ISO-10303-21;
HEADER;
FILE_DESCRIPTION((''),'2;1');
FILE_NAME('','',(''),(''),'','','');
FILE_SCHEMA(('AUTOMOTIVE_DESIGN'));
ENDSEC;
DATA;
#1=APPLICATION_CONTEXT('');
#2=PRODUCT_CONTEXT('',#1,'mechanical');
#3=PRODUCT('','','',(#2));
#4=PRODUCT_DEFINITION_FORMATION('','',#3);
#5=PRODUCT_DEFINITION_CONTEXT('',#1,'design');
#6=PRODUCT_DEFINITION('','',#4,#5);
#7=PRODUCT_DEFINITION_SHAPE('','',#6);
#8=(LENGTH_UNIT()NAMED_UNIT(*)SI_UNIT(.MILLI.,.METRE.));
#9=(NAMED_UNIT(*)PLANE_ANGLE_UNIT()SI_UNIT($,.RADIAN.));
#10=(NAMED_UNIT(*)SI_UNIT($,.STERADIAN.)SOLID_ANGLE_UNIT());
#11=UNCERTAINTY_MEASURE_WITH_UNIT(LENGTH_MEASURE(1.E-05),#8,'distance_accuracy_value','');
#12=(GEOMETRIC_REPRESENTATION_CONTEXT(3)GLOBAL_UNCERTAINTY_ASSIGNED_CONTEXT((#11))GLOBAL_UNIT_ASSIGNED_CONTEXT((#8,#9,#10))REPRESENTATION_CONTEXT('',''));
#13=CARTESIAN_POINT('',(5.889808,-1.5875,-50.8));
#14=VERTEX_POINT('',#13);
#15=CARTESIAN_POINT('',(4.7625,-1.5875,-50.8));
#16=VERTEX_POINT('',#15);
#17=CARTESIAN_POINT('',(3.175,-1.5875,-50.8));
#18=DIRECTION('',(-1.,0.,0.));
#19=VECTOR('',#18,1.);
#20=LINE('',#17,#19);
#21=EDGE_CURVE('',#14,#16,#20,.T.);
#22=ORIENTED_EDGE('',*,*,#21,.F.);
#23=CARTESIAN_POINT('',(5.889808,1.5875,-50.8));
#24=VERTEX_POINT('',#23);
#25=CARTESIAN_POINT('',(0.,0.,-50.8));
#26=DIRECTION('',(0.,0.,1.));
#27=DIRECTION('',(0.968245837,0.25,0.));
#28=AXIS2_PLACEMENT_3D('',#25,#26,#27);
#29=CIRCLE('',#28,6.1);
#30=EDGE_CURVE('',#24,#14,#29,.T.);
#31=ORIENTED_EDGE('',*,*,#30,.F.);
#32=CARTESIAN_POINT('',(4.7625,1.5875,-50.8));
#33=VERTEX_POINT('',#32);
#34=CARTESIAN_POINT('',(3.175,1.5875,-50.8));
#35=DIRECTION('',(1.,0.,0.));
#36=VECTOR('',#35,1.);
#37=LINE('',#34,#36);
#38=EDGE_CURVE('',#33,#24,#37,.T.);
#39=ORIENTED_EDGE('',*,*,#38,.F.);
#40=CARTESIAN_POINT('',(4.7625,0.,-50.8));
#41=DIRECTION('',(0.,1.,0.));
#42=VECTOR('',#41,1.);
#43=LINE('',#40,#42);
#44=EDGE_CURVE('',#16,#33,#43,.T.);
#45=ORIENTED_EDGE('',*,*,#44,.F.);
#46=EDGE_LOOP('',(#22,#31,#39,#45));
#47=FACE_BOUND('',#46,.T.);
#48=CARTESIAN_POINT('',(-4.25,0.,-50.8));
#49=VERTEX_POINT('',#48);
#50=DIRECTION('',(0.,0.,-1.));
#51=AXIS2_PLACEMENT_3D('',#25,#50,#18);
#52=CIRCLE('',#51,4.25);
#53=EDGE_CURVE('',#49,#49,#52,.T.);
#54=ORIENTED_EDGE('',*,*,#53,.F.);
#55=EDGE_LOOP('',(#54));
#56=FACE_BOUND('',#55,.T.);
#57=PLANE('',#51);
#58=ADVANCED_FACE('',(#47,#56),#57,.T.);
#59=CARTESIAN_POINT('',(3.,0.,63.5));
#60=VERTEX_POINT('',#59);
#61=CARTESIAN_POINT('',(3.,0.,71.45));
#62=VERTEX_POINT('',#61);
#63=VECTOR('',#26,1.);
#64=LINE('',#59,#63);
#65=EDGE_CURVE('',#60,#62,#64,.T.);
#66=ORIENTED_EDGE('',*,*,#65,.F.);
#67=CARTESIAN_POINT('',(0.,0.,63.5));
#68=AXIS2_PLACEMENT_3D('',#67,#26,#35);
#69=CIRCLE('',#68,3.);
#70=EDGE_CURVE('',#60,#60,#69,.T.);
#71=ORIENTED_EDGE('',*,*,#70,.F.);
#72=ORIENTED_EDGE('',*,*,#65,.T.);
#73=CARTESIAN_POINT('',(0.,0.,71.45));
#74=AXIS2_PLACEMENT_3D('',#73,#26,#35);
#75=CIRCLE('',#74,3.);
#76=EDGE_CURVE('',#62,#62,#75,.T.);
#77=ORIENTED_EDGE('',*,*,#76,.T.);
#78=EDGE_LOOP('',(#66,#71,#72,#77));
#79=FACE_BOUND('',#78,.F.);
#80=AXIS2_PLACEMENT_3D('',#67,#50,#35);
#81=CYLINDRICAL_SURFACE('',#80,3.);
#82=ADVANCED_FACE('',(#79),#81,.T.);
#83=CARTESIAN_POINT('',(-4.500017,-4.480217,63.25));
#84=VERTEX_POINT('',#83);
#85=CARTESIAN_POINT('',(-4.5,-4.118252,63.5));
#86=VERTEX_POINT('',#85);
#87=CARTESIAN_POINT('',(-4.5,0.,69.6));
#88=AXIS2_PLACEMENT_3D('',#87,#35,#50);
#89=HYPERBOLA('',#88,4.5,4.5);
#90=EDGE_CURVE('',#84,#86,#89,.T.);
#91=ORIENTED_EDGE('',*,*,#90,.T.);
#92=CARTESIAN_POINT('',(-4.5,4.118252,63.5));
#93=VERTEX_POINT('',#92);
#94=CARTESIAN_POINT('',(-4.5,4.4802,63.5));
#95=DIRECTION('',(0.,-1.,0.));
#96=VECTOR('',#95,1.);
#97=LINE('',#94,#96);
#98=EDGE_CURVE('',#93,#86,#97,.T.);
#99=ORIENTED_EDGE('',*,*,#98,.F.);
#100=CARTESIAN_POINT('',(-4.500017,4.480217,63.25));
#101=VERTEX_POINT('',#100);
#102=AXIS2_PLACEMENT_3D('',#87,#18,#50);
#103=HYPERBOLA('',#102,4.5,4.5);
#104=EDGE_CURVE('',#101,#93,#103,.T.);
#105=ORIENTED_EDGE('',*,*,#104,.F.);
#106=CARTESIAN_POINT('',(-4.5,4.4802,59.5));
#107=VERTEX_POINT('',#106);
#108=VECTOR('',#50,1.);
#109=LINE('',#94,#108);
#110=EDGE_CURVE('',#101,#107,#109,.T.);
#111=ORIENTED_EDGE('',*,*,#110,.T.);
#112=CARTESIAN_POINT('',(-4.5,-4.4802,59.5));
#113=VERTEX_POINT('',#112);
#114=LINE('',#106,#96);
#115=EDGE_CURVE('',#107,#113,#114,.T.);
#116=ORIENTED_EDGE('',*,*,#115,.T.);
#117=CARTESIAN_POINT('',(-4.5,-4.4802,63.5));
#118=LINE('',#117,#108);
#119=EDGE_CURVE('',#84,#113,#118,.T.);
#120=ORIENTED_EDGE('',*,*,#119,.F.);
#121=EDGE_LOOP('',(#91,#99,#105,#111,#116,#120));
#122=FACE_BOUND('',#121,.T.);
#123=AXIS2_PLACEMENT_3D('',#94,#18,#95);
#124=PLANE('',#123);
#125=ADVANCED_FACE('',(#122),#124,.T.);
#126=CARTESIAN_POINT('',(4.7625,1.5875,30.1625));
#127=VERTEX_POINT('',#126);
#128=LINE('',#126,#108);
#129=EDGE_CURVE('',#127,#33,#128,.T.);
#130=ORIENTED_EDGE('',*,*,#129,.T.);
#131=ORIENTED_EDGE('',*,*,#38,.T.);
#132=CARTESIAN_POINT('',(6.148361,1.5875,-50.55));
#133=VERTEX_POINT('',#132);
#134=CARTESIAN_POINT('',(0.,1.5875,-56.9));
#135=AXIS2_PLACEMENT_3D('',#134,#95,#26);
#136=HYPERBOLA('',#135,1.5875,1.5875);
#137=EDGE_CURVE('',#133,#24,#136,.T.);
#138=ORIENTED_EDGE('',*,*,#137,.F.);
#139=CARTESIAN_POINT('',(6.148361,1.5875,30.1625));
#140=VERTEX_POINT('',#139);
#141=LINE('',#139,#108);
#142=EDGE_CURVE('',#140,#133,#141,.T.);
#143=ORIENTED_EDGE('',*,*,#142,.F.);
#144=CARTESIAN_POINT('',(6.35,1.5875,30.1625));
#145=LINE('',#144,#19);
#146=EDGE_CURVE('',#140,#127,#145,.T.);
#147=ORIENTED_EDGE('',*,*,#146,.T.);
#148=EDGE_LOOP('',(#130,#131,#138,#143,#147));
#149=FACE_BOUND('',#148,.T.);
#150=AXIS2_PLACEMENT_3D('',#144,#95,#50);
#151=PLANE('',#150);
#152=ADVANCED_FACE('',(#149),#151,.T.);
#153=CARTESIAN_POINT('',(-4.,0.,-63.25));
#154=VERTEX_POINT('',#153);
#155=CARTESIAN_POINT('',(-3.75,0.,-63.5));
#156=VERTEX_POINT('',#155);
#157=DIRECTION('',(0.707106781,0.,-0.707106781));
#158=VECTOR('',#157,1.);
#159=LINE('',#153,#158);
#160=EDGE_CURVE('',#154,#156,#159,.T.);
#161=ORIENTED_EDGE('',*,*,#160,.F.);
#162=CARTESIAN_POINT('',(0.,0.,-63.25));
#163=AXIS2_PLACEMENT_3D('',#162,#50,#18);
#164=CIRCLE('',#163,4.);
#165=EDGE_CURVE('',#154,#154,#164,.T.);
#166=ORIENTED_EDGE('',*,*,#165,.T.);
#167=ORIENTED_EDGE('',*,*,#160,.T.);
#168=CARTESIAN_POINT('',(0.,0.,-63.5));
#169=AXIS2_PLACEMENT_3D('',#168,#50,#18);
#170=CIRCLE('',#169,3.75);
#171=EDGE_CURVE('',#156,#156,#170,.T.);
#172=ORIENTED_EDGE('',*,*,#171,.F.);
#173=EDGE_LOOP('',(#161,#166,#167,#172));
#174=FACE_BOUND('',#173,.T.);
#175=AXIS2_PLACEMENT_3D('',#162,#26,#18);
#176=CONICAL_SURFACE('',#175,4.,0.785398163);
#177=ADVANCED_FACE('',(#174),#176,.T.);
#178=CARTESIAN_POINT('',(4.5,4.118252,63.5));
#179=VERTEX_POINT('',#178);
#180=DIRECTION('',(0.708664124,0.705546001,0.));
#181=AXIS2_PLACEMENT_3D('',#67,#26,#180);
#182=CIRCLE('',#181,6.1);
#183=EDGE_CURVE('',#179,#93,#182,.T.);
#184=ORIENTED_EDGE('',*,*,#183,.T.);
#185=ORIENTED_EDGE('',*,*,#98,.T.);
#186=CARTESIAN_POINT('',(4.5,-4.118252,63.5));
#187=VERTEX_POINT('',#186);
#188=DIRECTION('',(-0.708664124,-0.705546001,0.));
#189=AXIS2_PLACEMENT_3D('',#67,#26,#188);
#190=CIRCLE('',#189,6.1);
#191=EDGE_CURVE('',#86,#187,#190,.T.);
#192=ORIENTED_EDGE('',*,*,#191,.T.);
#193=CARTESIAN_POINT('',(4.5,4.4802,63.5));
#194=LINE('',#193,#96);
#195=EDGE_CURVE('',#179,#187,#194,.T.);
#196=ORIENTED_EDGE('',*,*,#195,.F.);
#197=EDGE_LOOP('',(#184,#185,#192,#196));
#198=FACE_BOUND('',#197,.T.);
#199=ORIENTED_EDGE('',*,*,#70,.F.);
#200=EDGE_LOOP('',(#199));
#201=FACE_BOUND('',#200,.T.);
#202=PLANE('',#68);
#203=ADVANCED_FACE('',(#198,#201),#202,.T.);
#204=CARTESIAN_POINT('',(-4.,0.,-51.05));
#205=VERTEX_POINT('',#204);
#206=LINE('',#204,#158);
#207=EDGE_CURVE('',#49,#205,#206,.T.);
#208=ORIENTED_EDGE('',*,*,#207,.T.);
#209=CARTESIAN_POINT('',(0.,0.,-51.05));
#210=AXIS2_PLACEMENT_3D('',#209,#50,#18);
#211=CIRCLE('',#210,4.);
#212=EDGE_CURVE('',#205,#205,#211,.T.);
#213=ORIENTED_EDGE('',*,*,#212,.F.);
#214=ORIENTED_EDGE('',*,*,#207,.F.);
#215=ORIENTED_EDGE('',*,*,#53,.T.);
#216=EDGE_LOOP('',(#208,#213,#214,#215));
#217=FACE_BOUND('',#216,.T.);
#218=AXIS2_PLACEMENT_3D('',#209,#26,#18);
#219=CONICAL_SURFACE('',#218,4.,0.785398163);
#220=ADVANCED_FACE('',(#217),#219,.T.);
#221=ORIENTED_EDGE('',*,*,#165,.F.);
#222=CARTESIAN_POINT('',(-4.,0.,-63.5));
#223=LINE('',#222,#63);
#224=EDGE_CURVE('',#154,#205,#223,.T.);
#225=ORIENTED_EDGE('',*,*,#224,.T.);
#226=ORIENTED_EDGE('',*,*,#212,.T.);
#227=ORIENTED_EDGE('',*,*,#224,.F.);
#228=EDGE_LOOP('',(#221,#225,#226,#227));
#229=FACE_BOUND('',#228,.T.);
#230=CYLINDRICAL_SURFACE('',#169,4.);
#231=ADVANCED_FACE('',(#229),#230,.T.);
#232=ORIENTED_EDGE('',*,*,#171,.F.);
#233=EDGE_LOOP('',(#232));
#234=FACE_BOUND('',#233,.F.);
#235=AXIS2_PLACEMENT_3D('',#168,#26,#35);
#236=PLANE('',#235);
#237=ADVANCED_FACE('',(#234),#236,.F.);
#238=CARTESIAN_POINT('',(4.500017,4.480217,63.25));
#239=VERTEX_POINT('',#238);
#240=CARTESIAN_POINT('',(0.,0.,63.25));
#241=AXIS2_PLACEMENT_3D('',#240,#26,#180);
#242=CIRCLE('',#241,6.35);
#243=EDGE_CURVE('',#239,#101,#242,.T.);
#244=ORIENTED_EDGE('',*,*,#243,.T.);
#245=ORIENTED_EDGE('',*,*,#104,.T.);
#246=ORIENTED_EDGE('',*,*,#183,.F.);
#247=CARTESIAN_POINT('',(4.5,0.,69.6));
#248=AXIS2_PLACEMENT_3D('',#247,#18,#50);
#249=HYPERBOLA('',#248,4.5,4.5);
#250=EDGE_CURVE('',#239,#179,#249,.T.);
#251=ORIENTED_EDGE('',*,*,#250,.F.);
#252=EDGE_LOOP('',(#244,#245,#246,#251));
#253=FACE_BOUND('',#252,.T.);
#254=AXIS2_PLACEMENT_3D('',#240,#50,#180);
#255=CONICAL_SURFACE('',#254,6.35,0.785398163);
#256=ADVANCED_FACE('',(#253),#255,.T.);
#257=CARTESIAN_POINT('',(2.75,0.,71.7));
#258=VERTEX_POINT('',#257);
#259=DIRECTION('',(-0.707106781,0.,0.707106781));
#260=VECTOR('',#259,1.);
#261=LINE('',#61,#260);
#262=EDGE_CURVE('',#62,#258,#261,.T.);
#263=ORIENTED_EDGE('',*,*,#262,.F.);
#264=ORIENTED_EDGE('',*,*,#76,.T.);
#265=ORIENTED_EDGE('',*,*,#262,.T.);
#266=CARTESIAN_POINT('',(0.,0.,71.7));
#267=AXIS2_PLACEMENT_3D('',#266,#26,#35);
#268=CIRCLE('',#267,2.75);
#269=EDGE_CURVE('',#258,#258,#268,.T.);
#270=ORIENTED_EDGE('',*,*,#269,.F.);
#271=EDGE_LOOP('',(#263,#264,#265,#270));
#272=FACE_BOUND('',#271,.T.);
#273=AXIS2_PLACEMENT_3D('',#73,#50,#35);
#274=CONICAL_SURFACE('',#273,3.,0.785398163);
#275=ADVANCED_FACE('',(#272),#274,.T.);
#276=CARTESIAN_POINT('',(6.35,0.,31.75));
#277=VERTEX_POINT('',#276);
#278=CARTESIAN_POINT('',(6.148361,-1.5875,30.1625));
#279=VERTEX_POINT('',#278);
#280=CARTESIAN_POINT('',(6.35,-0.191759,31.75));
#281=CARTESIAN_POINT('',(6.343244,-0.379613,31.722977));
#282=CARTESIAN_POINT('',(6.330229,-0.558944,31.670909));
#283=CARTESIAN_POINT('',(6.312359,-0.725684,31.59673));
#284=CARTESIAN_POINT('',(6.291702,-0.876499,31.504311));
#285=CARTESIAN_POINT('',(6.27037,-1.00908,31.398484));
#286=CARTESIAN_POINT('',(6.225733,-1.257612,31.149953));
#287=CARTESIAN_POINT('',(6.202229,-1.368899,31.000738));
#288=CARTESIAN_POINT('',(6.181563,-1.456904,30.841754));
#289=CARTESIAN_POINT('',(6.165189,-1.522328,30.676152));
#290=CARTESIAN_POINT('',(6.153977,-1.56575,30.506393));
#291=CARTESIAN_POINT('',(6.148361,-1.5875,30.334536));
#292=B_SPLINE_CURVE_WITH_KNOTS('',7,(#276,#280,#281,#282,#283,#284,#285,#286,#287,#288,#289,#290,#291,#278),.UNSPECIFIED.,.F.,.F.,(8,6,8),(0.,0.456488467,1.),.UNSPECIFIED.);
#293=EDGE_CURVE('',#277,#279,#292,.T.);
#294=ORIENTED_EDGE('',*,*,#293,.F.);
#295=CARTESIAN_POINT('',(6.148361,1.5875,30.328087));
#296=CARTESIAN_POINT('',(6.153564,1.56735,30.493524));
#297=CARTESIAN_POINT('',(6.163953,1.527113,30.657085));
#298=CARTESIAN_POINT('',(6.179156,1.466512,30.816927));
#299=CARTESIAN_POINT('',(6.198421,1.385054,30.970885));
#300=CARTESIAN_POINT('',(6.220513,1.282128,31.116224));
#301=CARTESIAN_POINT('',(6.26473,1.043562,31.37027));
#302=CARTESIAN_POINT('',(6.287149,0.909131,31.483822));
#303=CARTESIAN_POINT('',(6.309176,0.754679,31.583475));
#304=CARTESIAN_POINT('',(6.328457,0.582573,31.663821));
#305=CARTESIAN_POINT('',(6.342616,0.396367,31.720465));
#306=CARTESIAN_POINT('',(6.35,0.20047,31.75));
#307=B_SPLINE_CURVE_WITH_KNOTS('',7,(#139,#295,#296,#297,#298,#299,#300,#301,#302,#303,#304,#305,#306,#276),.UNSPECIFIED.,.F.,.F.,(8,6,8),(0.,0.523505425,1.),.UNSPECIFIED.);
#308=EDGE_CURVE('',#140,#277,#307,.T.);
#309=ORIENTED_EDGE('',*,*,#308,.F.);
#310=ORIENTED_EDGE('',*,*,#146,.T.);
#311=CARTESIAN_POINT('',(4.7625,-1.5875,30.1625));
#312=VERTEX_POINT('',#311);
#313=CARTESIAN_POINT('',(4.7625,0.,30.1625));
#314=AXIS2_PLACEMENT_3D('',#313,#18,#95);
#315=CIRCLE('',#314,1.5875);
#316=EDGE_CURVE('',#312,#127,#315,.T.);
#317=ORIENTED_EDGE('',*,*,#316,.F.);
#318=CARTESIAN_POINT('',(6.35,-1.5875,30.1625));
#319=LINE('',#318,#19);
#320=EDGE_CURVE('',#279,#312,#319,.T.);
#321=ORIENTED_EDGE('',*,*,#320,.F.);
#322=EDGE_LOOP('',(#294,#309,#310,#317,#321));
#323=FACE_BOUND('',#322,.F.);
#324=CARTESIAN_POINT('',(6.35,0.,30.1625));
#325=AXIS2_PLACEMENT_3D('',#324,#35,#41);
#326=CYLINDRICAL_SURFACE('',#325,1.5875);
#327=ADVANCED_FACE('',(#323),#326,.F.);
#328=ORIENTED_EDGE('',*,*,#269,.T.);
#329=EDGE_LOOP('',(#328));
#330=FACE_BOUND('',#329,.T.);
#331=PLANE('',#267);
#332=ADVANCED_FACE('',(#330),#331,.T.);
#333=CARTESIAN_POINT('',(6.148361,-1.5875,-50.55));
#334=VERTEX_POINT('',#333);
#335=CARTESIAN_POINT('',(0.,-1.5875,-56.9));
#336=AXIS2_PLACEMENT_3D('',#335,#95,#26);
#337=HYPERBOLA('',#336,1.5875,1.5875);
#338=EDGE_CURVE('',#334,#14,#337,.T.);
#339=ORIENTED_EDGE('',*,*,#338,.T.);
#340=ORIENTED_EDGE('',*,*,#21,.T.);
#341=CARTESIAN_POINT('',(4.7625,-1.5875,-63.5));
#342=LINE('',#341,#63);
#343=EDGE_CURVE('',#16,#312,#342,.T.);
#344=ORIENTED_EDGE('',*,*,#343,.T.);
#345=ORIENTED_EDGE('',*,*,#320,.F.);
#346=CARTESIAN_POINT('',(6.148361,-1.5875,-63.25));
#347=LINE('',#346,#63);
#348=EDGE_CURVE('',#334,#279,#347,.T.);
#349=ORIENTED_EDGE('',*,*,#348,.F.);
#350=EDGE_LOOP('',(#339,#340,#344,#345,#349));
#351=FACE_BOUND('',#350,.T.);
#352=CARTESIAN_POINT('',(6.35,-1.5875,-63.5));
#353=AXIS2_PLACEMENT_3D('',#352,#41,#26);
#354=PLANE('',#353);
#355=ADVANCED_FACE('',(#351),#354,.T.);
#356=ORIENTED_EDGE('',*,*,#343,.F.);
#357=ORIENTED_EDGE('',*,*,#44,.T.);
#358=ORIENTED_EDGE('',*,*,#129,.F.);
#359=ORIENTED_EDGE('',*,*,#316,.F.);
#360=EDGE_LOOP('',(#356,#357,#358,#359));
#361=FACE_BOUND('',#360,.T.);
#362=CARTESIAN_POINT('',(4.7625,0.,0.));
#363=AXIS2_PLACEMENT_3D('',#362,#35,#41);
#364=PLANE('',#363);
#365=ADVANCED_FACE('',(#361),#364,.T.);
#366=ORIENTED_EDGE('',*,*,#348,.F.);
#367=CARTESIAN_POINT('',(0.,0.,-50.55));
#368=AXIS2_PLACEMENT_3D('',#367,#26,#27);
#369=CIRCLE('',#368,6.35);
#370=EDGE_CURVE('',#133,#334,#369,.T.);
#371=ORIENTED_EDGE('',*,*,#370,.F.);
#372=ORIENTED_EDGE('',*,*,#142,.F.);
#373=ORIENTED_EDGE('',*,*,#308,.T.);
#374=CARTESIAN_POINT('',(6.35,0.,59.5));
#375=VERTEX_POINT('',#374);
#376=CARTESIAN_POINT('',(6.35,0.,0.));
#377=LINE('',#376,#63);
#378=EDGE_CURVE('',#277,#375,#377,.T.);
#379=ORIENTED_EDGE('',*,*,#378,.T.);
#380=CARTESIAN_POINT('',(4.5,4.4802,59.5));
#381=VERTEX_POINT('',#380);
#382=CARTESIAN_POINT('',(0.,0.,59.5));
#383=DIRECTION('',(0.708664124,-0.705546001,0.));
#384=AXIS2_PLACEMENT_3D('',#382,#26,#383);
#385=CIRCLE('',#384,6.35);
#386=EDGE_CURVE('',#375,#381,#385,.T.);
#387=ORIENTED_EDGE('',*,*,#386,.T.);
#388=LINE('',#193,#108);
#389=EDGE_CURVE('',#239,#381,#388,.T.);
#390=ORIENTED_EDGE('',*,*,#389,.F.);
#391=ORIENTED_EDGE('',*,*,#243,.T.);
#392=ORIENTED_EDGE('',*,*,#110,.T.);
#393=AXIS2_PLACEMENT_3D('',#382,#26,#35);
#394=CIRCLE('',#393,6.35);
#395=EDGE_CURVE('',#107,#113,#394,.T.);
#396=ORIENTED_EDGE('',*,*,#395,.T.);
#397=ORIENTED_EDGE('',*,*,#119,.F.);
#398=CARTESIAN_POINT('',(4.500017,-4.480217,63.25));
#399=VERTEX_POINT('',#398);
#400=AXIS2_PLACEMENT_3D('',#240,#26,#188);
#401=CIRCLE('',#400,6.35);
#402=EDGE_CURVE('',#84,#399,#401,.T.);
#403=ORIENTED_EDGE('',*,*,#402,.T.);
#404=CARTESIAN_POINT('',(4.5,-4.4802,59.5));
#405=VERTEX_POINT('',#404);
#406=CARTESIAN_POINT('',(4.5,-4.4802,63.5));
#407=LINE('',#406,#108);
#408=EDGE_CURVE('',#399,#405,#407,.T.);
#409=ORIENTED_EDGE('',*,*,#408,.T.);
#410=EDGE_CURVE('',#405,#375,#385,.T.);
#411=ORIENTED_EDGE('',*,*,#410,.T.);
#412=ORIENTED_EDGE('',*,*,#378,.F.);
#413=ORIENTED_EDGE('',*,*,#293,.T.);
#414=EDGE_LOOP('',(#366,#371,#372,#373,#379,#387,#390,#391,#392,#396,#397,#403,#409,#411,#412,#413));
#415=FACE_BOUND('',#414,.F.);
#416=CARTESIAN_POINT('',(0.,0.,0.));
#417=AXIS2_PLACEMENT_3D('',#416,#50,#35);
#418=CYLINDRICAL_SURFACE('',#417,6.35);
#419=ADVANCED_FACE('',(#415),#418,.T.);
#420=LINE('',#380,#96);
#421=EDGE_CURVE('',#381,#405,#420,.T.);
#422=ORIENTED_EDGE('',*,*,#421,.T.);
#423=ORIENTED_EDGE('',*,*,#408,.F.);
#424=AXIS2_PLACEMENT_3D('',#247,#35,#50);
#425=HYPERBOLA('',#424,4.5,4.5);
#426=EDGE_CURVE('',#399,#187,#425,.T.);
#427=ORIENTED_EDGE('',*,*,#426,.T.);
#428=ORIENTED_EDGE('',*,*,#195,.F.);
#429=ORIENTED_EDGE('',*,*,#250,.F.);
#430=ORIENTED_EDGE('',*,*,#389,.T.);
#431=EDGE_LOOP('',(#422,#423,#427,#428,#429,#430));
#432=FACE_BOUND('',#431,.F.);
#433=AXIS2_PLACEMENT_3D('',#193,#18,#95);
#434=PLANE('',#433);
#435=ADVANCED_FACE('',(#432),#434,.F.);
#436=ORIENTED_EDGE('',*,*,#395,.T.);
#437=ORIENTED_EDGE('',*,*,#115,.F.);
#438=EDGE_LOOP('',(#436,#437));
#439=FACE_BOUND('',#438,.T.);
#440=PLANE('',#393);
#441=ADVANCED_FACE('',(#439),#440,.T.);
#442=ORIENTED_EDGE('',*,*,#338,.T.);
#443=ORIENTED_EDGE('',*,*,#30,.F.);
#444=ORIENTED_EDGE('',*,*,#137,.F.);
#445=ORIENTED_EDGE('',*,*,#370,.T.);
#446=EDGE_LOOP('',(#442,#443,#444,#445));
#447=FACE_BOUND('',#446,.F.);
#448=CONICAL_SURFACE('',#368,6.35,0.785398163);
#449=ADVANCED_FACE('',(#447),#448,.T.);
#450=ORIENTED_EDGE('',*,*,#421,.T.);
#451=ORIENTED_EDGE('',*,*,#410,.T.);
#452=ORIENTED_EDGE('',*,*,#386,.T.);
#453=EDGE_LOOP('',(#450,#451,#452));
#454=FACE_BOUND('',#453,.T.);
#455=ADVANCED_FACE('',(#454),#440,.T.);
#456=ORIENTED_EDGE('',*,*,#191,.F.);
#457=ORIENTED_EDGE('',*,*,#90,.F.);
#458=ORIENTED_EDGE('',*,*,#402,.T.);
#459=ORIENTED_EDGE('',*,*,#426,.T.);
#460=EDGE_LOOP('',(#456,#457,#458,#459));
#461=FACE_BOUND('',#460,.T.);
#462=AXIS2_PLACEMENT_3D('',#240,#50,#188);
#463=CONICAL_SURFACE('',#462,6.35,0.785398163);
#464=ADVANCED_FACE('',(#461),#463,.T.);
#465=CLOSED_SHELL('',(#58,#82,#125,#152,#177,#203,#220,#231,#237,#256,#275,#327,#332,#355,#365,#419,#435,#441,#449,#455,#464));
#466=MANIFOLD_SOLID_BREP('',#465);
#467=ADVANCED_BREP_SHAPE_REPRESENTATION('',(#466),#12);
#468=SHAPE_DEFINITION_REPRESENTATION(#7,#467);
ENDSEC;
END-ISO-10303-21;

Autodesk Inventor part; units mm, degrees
ref_plane "YZ Plane" through (0, 0, 0) normal (1, 0, 0) x (0, 1, 0)
ref_plane "XZ Plane" through (0, 0, 0) normal (0, 1, 0) x (-1, 0, 0)
sketch "Sketch1" plane through (0, 0, 0) normal (0, 0, 1) x (1, 0, 0)
  circle A0 centre (0, 0) radius 6.35
  dimension "d0" = 12.7
extrude "Extrusion1" add sketch "Sketch1" along normal mid plane 127
sketch "Sketch2" plane through (0, 0, 63.5) normal (0, 0, 1) x (1, 0, 0)
  circle A0 centre (0, 0) radius 6.35 projected
  line L0 (-4.5, 4.4802) -> (-4.5, -4.4802)
  line L1 (4.5, 4.4802) -> (4.5, -4.4802)
  line L2 (0, 0) -> (0, 6.1782) construction
  dimension "d3" = 9
extrude "Extrusion2" cut sketch "Sketch2" against normal blind 4 contours A0 L1 | L0 A0
sketch "Sketch3" plane through (0, 0, 63.5) normal (0, 0, 1) x (1, 0, 0)
  arc A0 (4.5, 4.4802) -> (-4.5, 4.4802) centre (0, 0) ccw projected
  circle A1 centre (0, 0) radius 3
  dimension "d6" = 6
extrude "Extrusion3" add sketch "Sketch3" along normal blind 8.2
chamfer "Chamfer1" distance 0.25 angle 45 4 edges at (-3, 0, 71.7) (0, -6.35, 63.5) (0, 6.35, 63.5) (-6.35, 0, -63.5)
ref_plane "Work Plane1" through (6.35, 0, 0) normal (1, 0, 0) x (0, 1, 0)
sketch "Sketch4" plane through (6.35, 0, 0) normal (1, 0, 0) x (0, 1, 0)
  line L0 (6.1, -63.5) -> (-6.1, -63.5) projected
  line L1 (0, -63.5) -> (0, -7.8695) construction
  line L2 (-1.5875, -63.5) -> (-1.5875, 30.1625)
  line L3 (0, 31.75) -> (0, 31.75)
  line L4 (1.5875, 30.1625) -> (1.5875, -63.5)
  arc A0 (0, 31.75) -> (-1.5875, 30.1625) centre (0, 30.1625) ccw
  arc A1 (1.5875, 30.1625) -> (0, 31.75) centre (0, 30.1625) ccw
  point P0 (1.5875, 31.75)
  dimension "d12" = 95.25
  dimension "d13" = 3.175
  dimension "d14" = 1.5875
extrude "Extrusion4" cut sketch "Sketch4" against normal blind 1.5875
sketch "Sketch5" plane through (0, 0, -63.5) normal (0, 0, -1) x (-1, 0, 0)
  arc A0 (-5.8898, -1.5875) -> (-5.8898, 1.5875) centre (0, 0) ccw projected
  circle A1 centre (0, 0) radius 4
  circle A2 centre (0, 0) radius 6.35
  dimension "d18" = 8
  dimension "d19" = 12.7
extrude "Extrusion5" cut sketch "Sketch5" against normal blind 12.7
chamfer "Chamfer2" distance 0.25 angle 45 3 edges at (4, 0, -63.5) (4, 0, -50.8) (-6.35, 0, -50.8)
properties part number "BB2-OutputShaft" material "Steel, Mild"
